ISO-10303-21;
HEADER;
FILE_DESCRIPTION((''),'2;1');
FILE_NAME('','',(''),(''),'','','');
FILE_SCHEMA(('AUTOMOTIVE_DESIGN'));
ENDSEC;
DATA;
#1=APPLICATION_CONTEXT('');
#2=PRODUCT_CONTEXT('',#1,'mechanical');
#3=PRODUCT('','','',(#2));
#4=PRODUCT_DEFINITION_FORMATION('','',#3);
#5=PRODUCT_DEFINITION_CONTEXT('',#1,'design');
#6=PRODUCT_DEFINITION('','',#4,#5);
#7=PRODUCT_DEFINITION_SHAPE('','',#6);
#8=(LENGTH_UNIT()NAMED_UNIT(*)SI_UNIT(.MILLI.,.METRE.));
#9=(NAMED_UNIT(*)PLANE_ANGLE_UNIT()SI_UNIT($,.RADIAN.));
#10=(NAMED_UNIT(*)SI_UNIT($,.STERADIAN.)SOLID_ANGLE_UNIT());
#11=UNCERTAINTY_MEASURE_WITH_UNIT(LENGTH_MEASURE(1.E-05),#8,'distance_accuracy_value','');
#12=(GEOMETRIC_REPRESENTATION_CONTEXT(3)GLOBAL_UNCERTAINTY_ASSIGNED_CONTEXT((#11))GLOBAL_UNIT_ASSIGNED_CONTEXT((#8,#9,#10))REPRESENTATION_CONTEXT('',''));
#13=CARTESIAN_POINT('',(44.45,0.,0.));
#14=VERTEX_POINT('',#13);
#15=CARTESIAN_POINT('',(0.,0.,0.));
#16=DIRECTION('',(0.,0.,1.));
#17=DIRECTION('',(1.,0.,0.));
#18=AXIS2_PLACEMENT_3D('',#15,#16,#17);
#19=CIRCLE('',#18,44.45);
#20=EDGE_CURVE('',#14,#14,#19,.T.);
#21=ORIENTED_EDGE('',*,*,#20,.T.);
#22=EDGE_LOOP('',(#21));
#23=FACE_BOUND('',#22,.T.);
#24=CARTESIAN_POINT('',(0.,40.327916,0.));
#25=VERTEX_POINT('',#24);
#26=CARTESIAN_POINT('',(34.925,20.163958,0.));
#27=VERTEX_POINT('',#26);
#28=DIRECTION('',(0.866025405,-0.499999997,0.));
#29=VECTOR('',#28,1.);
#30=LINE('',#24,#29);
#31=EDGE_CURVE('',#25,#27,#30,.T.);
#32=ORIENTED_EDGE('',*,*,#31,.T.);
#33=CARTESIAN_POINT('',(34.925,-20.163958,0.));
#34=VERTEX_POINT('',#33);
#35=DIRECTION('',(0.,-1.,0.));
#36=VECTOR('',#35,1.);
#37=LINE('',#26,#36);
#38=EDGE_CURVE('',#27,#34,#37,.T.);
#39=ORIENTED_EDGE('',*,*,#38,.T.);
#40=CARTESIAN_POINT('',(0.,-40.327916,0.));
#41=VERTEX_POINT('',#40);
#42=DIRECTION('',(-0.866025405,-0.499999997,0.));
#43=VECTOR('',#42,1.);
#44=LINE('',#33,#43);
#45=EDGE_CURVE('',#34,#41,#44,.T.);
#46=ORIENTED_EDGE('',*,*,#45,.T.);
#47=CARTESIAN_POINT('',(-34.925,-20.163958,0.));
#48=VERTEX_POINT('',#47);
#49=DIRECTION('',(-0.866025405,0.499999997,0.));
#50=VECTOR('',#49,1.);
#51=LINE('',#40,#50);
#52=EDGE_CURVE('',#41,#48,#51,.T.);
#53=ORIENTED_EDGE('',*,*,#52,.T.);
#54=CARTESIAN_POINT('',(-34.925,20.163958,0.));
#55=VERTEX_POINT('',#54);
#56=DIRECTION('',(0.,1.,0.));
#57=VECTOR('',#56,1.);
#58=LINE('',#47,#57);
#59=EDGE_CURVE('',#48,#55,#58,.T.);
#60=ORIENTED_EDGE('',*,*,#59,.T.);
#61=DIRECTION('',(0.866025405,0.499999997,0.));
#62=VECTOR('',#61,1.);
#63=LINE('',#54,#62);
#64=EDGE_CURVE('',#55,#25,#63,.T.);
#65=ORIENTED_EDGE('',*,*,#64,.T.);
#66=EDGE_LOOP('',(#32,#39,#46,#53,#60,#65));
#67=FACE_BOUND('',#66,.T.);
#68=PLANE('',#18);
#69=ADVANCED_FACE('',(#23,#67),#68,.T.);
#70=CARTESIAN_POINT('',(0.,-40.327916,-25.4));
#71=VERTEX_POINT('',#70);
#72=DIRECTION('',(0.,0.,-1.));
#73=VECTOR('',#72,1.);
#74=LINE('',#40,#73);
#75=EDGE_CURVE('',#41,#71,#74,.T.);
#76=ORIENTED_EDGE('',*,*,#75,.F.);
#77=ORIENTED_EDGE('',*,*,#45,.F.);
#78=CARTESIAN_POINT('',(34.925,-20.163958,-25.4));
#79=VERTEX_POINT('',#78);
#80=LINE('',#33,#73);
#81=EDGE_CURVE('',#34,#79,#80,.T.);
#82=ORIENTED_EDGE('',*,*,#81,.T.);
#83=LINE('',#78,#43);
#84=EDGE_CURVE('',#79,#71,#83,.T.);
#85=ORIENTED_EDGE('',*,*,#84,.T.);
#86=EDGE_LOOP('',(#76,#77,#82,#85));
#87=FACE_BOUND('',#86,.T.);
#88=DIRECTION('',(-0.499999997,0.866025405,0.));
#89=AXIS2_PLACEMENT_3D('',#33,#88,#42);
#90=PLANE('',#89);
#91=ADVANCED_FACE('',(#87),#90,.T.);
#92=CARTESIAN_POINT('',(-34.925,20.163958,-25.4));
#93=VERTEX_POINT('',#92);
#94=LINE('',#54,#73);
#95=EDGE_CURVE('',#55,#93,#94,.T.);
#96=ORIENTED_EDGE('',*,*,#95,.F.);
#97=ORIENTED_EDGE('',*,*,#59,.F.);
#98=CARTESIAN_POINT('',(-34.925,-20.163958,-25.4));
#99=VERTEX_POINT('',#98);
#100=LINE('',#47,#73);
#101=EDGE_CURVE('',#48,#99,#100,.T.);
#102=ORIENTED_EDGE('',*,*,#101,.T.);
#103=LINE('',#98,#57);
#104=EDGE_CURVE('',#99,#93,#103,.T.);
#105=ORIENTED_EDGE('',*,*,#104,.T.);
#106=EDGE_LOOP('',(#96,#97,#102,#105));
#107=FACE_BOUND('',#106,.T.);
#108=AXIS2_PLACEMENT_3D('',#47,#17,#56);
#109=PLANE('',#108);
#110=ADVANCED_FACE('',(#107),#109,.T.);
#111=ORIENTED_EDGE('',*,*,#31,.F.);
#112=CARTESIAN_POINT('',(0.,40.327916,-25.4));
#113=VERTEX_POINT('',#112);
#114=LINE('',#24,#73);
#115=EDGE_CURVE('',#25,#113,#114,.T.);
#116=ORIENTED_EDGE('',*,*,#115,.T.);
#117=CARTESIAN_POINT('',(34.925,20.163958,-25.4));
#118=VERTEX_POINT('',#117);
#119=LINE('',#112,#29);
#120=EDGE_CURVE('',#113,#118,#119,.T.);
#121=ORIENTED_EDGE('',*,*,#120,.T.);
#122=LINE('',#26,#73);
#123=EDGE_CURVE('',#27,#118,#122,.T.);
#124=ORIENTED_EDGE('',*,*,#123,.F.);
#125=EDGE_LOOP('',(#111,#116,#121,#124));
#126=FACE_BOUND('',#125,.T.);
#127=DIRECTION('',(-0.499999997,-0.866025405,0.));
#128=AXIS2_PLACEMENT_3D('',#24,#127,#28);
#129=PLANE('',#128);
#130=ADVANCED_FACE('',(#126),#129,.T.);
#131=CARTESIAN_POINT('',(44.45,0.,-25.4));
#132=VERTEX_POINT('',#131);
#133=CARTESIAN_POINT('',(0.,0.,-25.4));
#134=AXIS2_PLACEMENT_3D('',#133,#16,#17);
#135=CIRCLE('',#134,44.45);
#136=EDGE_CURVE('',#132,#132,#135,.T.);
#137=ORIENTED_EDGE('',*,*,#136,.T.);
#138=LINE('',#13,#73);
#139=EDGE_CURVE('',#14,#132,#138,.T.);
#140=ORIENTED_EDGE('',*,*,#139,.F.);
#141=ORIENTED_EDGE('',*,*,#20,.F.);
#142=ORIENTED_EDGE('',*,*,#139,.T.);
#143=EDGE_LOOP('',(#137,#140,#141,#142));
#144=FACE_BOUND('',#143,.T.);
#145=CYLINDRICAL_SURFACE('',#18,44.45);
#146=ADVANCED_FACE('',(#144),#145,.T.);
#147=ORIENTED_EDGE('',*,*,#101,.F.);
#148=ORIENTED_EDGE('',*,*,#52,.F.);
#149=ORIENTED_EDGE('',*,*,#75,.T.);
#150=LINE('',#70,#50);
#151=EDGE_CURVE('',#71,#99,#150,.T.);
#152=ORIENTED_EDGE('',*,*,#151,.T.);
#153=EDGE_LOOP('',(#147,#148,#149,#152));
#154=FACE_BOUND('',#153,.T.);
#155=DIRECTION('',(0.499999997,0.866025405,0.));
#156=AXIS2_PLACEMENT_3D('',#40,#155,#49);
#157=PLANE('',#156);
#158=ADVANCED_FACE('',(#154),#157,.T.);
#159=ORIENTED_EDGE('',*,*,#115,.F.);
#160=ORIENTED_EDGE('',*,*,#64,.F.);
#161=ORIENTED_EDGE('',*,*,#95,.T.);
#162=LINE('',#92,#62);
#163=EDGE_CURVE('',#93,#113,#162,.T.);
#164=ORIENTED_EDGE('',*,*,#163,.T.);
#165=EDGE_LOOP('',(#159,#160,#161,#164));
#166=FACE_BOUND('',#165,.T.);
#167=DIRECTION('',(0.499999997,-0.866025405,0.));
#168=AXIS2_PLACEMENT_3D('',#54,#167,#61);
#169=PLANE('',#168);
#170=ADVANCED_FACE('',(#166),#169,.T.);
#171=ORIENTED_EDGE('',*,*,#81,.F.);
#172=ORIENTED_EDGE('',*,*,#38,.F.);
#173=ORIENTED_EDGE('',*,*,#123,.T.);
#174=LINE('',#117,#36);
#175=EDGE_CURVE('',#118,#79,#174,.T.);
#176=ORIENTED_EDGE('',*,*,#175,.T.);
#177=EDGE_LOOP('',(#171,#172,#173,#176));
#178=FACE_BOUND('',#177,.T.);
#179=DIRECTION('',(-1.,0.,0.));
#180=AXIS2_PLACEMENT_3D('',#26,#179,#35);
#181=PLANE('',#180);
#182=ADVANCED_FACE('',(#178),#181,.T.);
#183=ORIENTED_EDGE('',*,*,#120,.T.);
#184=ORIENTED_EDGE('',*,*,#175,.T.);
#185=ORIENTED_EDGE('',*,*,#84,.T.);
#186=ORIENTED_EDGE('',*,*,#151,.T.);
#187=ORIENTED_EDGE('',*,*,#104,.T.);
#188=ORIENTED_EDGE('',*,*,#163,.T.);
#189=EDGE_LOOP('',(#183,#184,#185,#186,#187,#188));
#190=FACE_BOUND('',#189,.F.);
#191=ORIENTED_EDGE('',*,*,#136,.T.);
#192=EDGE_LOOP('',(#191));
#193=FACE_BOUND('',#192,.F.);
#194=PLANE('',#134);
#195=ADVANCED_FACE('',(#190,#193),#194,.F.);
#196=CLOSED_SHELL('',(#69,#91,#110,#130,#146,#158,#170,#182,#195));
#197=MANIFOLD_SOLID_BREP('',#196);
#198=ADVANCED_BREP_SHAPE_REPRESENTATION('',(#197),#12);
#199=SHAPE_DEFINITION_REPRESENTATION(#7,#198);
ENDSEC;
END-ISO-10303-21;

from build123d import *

# Parameters (mm, degrees)
F0_R     = 44.45
F1_DEPTH = 25.4


with BuildPart() as f1:
    # F0 (on Top) → F1 (new body)
    with BuildSketch(Plane.XY):
        Circle(F0_R)
        Polygon((0, 40.327916), (34.925, 20.163958), (34.925, -20.163958), (0, -40.327916), (-34.925, -20.163958), (-34.925, 20.163958), align=None, mode=Mode.SUBTRACT)
    extrude(amount=-F1_DEPTH)


solid = f1.part
